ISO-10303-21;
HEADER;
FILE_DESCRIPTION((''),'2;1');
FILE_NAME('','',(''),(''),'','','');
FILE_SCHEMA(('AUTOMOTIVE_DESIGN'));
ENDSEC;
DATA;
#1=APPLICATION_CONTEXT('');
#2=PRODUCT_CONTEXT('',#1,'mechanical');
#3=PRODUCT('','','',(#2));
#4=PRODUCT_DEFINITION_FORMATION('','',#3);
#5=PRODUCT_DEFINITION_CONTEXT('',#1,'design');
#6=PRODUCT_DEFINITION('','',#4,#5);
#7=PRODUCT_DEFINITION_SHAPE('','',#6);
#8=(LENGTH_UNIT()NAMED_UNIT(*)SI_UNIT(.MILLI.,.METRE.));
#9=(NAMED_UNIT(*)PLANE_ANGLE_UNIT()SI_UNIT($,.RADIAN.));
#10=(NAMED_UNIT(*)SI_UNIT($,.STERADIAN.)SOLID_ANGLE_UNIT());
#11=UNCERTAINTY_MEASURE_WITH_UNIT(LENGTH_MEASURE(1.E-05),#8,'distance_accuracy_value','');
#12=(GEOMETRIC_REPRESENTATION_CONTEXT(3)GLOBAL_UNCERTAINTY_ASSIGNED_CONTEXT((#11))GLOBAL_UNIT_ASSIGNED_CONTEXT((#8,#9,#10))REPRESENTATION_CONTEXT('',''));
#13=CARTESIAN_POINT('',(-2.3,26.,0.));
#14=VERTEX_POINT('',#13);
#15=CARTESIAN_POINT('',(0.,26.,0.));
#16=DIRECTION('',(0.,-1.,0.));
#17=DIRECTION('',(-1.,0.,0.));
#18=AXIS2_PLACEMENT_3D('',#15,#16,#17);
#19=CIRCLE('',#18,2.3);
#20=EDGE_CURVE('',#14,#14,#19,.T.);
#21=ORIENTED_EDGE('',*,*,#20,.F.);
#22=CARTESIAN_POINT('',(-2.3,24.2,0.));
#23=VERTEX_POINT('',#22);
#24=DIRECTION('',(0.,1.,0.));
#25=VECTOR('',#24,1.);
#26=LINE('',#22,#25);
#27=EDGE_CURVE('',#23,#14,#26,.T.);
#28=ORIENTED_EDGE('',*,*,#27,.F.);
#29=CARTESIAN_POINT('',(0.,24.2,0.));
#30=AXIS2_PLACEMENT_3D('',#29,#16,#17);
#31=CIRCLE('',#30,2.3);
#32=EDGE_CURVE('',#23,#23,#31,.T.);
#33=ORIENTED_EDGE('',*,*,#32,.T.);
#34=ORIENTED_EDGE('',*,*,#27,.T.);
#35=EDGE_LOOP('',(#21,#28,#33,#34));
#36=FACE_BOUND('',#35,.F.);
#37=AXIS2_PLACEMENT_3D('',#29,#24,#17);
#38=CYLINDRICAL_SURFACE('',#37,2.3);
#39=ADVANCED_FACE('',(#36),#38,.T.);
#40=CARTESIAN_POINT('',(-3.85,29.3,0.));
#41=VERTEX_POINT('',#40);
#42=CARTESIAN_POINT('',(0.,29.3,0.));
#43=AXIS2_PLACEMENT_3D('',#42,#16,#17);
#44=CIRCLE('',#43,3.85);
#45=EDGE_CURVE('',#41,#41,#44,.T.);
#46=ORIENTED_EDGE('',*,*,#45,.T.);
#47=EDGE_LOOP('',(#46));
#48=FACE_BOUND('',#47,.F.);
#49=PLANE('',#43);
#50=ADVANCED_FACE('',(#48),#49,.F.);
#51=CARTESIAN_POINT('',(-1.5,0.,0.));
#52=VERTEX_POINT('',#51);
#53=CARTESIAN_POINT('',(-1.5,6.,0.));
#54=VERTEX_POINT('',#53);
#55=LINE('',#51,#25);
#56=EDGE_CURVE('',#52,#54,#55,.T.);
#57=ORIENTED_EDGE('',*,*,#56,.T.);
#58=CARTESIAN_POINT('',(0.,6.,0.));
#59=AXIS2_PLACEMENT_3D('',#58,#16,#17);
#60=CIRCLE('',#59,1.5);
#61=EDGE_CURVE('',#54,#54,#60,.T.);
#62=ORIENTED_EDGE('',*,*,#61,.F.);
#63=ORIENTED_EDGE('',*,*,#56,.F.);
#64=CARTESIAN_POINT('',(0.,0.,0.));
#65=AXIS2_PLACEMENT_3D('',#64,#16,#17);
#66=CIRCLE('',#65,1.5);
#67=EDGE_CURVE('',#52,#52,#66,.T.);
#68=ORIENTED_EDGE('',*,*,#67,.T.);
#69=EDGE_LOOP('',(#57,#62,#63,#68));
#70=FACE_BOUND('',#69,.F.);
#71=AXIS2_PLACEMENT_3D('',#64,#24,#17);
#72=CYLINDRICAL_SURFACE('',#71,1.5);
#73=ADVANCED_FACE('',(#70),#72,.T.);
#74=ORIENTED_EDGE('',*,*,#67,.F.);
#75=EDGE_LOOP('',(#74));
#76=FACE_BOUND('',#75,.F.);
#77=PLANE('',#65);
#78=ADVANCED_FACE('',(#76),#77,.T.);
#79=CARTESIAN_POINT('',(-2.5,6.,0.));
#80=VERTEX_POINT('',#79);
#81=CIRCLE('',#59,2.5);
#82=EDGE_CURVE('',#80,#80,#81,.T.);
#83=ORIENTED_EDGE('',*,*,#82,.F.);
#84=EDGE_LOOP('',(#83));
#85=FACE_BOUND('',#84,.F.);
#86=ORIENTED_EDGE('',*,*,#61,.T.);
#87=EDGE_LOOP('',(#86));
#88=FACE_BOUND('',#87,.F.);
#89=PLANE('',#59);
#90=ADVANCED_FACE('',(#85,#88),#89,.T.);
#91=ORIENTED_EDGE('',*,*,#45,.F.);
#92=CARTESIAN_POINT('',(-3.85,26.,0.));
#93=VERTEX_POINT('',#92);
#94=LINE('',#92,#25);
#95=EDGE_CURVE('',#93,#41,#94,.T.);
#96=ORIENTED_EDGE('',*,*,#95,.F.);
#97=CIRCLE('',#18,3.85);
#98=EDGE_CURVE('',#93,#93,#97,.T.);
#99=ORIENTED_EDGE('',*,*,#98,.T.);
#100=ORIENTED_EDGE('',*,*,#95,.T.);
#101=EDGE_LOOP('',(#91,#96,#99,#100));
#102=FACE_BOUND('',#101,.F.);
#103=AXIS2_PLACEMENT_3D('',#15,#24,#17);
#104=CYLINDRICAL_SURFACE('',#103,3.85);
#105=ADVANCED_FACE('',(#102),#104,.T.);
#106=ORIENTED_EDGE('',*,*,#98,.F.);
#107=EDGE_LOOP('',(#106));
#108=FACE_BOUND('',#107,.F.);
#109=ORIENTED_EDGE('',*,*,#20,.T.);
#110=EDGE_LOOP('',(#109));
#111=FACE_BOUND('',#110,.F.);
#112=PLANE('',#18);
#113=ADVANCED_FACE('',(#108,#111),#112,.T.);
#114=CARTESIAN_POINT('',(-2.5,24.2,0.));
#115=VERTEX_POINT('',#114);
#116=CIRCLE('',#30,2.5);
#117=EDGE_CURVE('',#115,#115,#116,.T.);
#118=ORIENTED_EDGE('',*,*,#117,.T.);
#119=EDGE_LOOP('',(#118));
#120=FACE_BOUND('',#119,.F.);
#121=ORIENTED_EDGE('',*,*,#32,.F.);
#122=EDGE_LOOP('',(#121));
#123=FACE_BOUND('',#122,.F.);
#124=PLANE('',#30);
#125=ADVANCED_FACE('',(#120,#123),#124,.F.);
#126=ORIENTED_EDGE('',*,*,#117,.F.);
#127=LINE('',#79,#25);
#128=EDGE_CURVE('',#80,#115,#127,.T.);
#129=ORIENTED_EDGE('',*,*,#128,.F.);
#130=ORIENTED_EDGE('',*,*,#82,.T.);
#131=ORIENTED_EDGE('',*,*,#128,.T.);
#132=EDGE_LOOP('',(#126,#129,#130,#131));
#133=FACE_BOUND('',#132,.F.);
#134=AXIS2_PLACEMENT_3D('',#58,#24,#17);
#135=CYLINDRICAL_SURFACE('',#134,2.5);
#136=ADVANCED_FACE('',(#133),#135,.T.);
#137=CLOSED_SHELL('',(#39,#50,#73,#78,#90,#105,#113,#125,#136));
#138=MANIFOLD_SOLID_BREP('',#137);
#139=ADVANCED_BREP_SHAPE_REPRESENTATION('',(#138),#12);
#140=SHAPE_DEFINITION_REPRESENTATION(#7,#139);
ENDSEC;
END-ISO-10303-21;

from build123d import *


with BuildPart() as part:
    # Sketch1 → Revolve1 (revolve)
    with BuildSketch(Plane.XY, mode=Mode.PRIVATE) as revolve1_sk:
        Polygon((0, 0), (1.5, 0), (1.5, 6), (2.5, 6), (2.5, 24.2), (2.3, 24.2), (2.3, 26), (3.85, 26), (3.85, 29.3), (0, 29.3), align=None)
    revolve(revolve1_sk.sketch.rotate(Axis((0, 29.3, 0), (0, -1, 0)), 180), axis=Axis((0, 29.3, 0), (0, -1, 0)))


solid = part.part
